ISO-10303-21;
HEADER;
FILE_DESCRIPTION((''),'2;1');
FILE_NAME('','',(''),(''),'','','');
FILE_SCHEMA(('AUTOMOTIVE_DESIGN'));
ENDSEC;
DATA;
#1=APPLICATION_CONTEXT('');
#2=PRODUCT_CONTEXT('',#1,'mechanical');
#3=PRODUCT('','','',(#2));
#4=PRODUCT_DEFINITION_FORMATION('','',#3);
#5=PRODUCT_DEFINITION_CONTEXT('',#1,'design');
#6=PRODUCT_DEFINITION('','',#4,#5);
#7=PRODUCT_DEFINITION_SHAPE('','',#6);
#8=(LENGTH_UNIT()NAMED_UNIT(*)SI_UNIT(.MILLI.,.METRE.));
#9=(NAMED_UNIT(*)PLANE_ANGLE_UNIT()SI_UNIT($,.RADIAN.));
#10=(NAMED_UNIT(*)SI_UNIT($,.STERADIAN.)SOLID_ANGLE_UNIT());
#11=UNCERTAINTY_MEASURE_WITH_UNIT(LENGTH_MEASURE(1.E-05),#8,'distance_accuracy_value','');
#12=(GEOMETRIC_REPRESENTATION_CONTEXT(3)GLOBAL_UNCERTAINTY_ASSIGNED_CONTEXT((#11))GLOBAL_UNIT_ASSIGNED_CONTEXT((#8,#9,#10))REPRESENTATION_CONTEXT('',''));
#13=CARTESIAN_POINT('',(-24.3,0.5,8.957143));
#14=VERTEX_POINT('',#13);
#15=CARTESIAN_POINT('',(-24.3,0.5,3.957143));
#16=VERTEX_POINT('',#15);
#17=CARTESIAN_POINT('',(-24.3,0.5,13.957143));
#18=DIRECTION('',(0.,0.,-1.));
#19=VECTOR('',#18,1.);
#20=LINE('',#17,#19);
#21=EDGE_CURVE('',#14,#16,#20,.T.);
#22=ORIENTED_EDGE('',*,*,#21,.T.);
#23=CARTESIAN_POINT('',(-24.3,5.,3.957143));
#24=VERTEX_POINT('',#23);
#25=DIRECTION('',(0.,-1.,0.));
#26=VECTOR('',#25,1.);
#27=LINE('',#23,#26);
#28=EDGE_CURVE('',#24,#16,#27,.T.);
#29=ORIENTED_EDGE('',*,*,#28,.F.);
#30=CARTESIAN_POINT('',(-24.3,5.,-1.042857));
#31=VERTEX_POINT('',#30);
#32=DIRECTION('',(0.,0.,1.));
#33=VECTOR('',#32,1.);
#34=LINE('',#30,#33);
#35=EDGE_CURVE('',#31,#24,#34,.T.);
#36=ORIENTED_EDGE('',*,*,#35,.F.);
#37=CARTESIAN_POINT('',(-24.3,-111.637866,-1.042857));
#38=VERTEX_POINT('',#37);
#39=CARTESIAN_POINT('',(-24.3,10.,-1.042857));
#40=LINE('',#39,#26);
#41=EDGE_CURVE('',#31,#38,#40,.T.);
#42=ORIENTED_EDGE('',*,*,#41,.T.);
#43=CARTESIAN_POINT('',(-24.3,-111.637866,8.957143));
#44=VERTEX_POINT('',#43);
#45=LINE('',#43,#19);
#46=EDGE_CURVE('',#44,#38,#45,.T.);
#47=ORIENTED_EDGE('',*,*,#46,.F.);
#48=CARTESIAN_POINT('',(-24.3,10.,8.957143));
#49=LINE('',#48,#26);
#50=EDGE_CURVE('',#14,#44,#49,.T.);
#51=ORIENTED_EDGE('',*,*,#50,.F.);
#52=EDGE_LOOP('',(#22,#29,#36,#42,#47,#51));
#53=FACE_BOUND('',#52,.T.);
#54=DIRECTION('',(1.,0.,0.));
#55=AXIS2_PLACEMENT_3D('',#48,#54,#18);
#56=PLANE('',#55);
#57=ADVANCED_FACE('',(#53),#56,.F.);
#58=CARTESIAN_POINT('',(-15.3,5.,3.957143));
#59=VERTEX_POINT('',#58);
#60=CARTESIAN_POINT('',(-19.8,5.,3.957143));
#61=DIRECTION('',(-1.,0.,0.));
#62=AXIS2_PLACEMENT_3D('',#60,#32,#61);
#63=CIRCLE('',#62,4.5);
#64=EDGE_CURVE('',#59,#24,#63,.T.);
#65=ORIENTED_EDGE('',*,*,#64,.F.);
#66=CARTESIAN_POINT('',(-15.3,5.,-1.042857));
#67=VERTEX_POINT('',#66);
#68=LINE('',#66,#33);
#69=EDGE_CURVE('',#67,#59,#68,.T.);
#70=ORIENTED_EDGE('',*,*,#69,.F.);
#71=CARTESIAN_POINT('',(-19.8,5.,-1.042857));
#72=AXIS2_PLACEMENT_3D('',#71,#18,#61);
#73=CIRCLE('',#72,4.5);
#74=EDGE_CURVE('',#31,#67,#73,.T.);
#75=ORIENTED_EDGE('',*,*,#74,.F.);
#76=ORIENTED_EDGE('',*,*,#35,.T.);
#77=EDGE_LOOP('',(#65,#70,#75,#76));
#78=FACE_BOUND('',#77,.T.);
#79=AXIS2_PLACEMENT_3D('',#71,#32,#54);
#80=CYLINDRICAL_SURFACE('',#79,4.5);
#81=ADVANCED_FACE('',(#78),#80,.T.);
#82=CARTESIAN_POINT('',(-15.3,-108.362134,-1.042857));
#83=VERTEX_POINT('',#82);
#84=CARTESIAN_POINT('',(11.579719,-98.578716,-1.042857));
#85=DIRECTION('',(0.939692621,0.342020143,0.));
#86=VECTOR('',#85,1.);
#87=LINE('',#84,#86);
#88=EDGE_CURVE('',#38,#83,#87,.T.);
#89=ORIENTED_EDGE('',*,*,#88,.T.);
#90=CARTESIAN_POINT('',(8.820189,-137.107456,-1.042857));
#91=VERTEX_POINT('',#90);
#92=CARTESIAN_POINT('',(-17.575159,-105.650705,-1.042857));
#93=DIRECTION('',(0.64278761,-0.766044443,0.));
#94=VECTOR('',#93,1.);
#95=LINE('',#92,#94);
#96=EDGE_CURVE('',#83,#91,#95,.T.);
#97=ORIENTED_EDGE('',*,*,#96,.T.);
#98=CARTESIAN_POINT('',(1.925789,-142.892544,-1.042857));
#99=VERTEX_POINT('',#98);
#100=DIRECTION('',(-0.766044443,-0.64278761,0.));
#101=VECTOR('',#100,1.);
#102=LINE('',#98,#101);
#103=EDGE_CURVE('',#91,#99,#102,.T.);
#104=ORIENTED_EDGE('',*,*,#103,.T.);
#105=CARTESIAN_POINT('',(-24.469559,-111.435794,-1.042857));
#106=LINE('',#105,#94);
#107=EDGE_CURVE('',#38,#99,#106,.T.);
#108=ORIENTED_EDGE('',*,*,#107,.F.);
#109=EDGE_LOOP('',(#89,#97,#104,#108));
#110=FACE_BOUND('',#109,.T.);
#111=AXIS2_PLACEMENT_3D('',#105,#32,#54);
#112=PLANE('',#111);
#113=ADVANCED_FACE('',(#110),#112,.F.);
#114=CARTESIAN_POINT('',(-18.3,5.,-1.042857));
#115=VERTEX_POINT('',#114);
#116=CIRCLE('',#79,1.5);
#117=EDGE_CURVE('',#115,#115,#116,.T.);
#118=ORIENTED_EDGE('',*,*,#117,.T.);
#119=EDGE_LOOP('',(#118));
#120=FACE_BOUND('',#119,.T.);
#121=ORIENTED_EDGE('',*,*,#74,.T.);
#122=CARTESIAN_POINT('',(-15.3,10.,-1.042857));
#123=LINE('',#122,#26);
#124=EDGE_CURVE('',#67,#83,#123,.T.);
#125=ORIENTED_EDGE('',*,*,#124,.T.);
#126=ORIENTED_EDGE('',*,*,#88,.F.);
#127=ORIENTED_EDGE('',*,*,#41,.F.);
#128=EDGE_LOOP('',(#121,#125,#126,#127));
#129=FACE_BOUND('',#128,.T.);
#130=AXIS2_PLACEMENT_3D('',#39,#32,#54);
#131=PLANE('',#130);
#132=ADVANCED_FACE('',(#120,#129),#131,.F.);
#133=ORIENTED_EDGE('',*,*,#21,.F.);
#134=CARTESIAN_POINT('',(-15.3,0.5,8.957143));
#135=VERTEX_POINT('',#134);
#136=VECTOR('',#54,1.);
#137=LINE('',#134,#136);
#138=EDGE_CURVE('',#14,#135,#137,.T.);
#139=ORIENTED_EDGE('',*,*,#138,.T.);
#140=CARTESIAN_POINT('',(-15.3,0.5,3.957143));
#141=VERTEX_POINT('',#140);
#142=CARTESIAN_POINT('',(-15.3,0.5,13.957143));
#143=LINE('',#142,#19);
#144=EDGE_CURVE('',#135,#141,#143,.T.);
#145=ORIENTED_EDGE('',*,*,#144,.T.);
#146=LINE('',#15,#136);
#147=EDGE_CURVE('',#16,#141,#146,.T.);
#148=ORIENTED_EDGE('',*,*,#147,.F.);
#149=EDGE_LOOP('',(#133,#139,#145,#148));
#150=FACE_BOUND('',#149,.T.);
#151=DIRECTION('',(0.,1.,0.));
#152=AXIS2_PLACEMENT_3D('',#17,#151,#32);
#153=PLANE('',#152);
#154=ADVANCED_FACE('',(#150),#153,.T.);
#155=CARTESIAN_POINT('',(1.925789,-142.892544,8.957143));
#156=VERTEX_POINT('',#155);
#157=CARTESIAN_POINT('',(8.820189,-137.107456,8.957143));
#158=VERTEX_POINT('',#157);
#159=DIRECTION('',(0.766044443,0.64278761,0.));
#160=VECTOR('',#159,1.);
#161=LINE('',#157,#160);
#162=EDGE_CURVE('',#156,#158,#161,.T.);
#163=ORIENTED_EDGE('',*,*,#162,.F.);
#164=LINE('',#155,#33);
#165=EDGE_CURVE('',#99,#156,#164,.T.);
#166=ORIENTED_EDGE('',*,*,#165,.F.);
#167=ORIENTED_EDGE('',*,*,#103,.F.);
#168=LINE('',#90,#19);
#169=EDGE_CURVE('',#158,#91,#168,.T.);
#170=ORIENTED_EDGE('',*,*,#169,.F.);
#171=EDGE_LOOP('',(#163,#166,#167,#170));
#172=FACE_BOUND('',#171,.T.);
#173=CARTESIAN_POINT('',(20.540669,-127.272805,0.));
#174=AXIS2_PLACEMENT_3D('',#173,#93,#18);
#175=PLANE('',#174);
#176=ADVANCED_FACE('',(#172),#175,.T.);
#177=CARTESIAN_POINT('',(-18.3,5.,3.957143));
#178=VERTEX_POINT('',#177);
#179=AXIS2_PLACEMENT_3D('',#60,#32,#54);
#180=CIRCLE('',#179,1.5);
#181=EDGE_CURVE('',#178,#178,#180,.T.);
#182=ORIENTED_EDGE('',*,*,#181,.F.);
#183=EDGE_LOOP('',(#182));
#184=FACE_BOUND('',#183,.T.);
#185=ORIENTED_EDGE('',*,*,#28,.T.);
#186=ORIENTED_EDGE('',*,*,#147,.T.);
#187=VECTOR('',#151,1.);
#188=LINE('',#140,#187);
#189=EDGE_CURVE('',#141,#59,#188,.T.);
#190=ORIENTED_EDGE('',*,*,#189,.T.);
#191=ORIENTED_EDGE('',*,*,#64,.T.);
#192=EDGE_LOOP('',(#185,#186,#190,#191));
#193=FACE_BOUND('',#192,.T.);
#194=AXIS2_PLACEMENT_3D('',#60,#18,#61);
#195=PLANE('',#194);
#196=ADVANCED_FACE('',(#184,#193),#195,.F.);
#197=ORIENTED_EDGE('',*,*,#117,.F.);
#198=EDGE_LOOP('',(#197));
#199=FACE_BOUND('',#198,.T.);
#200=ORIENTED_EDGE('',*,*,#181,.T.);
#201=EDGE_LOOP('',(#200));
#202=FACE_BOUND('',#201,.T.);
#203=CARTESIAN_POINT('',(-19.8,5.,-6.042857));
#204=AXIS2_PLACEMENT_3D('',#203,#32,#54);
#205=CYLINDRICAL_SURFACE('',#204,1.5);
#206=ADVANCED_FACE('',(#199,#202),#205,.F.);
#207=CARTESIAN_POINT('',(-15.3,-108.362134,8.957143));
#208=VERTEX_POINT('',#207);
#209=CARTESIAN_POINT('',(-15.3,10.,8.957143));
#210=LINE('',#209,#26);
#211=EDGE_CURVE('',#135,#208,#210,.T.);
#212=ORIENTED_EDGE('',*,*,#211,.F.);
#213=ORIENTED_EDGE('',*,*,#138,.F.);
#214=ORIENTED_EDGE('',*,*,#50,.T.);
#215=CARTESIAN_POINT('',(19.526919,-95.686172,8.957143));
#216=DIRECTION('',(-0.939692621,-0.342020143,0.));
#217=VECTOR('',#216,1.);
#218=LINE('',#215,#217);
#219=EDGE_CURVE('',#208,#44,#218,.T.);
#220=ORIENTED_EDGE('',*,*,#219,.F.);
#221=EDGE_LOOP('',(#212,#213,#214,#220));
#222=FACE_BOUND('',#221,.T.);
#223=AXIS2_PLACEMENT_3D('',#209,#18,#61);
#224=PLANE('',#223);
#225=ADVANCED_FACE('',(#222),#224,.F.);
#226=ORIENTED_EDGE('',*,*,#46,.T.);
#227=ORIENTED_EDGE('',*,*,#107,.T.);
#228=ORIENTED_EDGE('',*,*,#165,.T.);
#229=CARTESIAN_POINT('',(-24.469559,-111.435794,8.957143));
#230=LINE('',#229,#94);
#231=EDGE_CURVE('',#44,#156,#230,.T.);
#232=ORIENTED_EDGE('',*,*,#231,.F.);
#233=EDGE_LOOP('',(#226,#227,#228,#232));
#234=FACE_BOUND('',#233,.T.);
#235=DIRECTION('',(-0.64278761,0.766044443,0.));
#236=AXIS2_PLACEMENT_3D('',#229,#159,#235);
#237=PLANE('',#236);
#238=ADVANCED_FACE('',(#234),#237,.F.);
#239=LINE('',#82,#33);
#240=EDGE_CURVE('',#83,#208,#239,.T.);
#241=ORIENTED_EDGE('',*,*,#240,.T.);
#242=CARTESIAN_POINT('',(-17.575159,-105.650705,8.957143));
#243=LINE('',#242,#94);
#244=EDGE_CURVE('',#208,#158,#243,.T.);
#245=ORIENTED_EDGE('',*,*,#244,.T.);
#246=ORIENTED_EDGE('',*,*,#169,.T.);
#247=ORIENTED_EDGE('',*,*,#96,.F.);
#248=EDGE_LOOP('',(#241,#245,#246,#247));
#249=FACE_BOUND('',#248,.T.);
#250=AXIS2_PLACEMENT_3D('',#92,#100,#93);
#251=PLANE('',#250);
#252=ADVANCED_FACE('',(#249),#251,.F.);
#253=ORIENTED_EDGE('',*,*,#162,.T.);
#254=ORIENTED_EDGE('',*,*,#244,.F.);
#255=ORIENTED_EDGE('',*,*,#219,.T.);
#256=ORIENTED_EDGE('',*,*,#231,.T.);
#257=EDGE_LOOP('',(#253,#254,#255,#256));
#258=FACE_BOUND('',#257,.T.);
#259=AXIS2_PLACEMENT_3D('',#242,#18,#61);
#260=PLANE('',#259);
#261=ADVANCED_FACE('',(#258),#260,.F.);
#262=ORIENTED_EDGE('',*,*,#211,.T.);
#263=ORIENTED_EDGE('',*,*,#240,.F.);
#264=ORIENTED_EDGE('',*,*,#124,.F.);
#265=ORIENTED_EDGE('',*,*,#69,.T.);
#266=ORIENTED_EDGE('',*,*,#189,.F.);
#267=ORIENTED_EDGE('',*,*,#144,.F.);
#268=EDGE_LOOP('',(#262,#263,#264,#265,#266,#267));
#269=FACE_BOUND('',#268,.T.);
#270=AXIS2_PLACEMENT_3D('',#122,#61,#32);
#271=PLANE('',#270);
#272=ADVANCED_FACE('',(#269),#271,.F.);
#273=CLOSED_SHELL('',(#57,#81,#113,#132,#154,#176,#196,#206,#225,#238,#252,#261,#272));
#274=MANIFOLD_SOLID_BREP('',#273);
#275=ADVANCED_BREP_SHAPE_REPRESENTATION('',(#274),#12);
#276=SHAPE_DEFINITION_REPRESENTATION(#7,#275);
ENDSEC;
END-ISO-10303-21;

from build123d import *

# Parameters (mm, degrees)
SKETCH_4_W          = 9
SKETCH_4_H          = 10
EXTRUDE_2_DEPTH     = 10
CUT_EXTRUDE_1_DEPTH = 10
SKETCH_4_2_W        = 9
SKETCH_4_2_H        = 10
CUT_EXTRUDE_START   = 10
CUT_EXTRUDE_2_DEPTH = 10
SKETCH_8_R          = 1.5
CUT_EXTRUDE_3_DEPTH = 10


with BuildPart() as part:
    # 草图4 → 凸台-拉伸2 (new body)
    with BuildSketch(Plane(origin=(0, 0, 0), x_dir=(1, 0, 0), z_dir=(0, 1, 0))):
        with Locations((-19.8, -3.957142857)):
            Rectangle(SKETCH_4_W, SKETCH_4_H)
    extrude(amount=EXTRUDE_2_DEPTH)

    # 草图6 → 切除-拉伸1 (cut)
    with BuildSketch(Plane.XY.offset(8.957142857)):
        with BuildLine():
            Line((-24.3, 10), (-24.3, 5))
            ThreePointArc((-24.3, 5), (-19.8, 9.5), (-15.3, 5))
            Line((-15.3, 5), (-15.3, 10))
            Line((-15.3, 10), (-24.3, 10))
        make_face()
    extrude(amount=-CUT_EXTRUDE_1_DEPTH, mode=Mode.SUBTRACT)

    # 扫描2: sweep along a path in 草图5
    with BuildLine(Plane.XY.offset(3.957142857)) as sweep_2_path:
        Line((-19.8, 0), (-19.8, -110))
        Line((-19.8, -110), (5.372988935, -140))
    # 草图4<2> → 扫描2 (sweep)
    with BuildSketch(Plane(origin=(0, 0, 0), x_dir=(1, 0, 0), z_dir=(0, 1, 0))):
        with Locations((-19.8, -3.957142857)):
            Rectangle(SKETCH_4_2_W, SKETCH_4_2_H)
    sweep(path=sweep_2_path.line, transition=Transition.RIGHT)

    # 草图7 → 切除-拉伸2 (cut)
    with BuildSketch(Plane.XY.offset(3.957142857).offset(CUT_EXTRUDE_START)):
        with BuildLine():
            Line((-24.3, 5), (-24.3, 0.5))
            Line((-24.3, 0.5), (-15.3, 0.5))
            Line((-15.3, 0.5), (-15.3, 5))
            ThreePointArc((-15.3, 5), (-19.8, 9.5), (-24.3, 5))
        make_face()
    extrude(amount=-CUT_EXTRUDE_2_DEPTH, mode=Mode.SUBTRACT)

    # 草图8 → 切除-拉伸3 (cut)
    with BuildSketch(Plane.XY.offset(3.957142857)):
        with Locations((-19.8, 5)):
            Circle(SKETCH_8_R)
    extrude(amount=-CUT_EXTRUDE_3_DEPTH, mode=Mode.SUBTRACT)


solid = part.part
